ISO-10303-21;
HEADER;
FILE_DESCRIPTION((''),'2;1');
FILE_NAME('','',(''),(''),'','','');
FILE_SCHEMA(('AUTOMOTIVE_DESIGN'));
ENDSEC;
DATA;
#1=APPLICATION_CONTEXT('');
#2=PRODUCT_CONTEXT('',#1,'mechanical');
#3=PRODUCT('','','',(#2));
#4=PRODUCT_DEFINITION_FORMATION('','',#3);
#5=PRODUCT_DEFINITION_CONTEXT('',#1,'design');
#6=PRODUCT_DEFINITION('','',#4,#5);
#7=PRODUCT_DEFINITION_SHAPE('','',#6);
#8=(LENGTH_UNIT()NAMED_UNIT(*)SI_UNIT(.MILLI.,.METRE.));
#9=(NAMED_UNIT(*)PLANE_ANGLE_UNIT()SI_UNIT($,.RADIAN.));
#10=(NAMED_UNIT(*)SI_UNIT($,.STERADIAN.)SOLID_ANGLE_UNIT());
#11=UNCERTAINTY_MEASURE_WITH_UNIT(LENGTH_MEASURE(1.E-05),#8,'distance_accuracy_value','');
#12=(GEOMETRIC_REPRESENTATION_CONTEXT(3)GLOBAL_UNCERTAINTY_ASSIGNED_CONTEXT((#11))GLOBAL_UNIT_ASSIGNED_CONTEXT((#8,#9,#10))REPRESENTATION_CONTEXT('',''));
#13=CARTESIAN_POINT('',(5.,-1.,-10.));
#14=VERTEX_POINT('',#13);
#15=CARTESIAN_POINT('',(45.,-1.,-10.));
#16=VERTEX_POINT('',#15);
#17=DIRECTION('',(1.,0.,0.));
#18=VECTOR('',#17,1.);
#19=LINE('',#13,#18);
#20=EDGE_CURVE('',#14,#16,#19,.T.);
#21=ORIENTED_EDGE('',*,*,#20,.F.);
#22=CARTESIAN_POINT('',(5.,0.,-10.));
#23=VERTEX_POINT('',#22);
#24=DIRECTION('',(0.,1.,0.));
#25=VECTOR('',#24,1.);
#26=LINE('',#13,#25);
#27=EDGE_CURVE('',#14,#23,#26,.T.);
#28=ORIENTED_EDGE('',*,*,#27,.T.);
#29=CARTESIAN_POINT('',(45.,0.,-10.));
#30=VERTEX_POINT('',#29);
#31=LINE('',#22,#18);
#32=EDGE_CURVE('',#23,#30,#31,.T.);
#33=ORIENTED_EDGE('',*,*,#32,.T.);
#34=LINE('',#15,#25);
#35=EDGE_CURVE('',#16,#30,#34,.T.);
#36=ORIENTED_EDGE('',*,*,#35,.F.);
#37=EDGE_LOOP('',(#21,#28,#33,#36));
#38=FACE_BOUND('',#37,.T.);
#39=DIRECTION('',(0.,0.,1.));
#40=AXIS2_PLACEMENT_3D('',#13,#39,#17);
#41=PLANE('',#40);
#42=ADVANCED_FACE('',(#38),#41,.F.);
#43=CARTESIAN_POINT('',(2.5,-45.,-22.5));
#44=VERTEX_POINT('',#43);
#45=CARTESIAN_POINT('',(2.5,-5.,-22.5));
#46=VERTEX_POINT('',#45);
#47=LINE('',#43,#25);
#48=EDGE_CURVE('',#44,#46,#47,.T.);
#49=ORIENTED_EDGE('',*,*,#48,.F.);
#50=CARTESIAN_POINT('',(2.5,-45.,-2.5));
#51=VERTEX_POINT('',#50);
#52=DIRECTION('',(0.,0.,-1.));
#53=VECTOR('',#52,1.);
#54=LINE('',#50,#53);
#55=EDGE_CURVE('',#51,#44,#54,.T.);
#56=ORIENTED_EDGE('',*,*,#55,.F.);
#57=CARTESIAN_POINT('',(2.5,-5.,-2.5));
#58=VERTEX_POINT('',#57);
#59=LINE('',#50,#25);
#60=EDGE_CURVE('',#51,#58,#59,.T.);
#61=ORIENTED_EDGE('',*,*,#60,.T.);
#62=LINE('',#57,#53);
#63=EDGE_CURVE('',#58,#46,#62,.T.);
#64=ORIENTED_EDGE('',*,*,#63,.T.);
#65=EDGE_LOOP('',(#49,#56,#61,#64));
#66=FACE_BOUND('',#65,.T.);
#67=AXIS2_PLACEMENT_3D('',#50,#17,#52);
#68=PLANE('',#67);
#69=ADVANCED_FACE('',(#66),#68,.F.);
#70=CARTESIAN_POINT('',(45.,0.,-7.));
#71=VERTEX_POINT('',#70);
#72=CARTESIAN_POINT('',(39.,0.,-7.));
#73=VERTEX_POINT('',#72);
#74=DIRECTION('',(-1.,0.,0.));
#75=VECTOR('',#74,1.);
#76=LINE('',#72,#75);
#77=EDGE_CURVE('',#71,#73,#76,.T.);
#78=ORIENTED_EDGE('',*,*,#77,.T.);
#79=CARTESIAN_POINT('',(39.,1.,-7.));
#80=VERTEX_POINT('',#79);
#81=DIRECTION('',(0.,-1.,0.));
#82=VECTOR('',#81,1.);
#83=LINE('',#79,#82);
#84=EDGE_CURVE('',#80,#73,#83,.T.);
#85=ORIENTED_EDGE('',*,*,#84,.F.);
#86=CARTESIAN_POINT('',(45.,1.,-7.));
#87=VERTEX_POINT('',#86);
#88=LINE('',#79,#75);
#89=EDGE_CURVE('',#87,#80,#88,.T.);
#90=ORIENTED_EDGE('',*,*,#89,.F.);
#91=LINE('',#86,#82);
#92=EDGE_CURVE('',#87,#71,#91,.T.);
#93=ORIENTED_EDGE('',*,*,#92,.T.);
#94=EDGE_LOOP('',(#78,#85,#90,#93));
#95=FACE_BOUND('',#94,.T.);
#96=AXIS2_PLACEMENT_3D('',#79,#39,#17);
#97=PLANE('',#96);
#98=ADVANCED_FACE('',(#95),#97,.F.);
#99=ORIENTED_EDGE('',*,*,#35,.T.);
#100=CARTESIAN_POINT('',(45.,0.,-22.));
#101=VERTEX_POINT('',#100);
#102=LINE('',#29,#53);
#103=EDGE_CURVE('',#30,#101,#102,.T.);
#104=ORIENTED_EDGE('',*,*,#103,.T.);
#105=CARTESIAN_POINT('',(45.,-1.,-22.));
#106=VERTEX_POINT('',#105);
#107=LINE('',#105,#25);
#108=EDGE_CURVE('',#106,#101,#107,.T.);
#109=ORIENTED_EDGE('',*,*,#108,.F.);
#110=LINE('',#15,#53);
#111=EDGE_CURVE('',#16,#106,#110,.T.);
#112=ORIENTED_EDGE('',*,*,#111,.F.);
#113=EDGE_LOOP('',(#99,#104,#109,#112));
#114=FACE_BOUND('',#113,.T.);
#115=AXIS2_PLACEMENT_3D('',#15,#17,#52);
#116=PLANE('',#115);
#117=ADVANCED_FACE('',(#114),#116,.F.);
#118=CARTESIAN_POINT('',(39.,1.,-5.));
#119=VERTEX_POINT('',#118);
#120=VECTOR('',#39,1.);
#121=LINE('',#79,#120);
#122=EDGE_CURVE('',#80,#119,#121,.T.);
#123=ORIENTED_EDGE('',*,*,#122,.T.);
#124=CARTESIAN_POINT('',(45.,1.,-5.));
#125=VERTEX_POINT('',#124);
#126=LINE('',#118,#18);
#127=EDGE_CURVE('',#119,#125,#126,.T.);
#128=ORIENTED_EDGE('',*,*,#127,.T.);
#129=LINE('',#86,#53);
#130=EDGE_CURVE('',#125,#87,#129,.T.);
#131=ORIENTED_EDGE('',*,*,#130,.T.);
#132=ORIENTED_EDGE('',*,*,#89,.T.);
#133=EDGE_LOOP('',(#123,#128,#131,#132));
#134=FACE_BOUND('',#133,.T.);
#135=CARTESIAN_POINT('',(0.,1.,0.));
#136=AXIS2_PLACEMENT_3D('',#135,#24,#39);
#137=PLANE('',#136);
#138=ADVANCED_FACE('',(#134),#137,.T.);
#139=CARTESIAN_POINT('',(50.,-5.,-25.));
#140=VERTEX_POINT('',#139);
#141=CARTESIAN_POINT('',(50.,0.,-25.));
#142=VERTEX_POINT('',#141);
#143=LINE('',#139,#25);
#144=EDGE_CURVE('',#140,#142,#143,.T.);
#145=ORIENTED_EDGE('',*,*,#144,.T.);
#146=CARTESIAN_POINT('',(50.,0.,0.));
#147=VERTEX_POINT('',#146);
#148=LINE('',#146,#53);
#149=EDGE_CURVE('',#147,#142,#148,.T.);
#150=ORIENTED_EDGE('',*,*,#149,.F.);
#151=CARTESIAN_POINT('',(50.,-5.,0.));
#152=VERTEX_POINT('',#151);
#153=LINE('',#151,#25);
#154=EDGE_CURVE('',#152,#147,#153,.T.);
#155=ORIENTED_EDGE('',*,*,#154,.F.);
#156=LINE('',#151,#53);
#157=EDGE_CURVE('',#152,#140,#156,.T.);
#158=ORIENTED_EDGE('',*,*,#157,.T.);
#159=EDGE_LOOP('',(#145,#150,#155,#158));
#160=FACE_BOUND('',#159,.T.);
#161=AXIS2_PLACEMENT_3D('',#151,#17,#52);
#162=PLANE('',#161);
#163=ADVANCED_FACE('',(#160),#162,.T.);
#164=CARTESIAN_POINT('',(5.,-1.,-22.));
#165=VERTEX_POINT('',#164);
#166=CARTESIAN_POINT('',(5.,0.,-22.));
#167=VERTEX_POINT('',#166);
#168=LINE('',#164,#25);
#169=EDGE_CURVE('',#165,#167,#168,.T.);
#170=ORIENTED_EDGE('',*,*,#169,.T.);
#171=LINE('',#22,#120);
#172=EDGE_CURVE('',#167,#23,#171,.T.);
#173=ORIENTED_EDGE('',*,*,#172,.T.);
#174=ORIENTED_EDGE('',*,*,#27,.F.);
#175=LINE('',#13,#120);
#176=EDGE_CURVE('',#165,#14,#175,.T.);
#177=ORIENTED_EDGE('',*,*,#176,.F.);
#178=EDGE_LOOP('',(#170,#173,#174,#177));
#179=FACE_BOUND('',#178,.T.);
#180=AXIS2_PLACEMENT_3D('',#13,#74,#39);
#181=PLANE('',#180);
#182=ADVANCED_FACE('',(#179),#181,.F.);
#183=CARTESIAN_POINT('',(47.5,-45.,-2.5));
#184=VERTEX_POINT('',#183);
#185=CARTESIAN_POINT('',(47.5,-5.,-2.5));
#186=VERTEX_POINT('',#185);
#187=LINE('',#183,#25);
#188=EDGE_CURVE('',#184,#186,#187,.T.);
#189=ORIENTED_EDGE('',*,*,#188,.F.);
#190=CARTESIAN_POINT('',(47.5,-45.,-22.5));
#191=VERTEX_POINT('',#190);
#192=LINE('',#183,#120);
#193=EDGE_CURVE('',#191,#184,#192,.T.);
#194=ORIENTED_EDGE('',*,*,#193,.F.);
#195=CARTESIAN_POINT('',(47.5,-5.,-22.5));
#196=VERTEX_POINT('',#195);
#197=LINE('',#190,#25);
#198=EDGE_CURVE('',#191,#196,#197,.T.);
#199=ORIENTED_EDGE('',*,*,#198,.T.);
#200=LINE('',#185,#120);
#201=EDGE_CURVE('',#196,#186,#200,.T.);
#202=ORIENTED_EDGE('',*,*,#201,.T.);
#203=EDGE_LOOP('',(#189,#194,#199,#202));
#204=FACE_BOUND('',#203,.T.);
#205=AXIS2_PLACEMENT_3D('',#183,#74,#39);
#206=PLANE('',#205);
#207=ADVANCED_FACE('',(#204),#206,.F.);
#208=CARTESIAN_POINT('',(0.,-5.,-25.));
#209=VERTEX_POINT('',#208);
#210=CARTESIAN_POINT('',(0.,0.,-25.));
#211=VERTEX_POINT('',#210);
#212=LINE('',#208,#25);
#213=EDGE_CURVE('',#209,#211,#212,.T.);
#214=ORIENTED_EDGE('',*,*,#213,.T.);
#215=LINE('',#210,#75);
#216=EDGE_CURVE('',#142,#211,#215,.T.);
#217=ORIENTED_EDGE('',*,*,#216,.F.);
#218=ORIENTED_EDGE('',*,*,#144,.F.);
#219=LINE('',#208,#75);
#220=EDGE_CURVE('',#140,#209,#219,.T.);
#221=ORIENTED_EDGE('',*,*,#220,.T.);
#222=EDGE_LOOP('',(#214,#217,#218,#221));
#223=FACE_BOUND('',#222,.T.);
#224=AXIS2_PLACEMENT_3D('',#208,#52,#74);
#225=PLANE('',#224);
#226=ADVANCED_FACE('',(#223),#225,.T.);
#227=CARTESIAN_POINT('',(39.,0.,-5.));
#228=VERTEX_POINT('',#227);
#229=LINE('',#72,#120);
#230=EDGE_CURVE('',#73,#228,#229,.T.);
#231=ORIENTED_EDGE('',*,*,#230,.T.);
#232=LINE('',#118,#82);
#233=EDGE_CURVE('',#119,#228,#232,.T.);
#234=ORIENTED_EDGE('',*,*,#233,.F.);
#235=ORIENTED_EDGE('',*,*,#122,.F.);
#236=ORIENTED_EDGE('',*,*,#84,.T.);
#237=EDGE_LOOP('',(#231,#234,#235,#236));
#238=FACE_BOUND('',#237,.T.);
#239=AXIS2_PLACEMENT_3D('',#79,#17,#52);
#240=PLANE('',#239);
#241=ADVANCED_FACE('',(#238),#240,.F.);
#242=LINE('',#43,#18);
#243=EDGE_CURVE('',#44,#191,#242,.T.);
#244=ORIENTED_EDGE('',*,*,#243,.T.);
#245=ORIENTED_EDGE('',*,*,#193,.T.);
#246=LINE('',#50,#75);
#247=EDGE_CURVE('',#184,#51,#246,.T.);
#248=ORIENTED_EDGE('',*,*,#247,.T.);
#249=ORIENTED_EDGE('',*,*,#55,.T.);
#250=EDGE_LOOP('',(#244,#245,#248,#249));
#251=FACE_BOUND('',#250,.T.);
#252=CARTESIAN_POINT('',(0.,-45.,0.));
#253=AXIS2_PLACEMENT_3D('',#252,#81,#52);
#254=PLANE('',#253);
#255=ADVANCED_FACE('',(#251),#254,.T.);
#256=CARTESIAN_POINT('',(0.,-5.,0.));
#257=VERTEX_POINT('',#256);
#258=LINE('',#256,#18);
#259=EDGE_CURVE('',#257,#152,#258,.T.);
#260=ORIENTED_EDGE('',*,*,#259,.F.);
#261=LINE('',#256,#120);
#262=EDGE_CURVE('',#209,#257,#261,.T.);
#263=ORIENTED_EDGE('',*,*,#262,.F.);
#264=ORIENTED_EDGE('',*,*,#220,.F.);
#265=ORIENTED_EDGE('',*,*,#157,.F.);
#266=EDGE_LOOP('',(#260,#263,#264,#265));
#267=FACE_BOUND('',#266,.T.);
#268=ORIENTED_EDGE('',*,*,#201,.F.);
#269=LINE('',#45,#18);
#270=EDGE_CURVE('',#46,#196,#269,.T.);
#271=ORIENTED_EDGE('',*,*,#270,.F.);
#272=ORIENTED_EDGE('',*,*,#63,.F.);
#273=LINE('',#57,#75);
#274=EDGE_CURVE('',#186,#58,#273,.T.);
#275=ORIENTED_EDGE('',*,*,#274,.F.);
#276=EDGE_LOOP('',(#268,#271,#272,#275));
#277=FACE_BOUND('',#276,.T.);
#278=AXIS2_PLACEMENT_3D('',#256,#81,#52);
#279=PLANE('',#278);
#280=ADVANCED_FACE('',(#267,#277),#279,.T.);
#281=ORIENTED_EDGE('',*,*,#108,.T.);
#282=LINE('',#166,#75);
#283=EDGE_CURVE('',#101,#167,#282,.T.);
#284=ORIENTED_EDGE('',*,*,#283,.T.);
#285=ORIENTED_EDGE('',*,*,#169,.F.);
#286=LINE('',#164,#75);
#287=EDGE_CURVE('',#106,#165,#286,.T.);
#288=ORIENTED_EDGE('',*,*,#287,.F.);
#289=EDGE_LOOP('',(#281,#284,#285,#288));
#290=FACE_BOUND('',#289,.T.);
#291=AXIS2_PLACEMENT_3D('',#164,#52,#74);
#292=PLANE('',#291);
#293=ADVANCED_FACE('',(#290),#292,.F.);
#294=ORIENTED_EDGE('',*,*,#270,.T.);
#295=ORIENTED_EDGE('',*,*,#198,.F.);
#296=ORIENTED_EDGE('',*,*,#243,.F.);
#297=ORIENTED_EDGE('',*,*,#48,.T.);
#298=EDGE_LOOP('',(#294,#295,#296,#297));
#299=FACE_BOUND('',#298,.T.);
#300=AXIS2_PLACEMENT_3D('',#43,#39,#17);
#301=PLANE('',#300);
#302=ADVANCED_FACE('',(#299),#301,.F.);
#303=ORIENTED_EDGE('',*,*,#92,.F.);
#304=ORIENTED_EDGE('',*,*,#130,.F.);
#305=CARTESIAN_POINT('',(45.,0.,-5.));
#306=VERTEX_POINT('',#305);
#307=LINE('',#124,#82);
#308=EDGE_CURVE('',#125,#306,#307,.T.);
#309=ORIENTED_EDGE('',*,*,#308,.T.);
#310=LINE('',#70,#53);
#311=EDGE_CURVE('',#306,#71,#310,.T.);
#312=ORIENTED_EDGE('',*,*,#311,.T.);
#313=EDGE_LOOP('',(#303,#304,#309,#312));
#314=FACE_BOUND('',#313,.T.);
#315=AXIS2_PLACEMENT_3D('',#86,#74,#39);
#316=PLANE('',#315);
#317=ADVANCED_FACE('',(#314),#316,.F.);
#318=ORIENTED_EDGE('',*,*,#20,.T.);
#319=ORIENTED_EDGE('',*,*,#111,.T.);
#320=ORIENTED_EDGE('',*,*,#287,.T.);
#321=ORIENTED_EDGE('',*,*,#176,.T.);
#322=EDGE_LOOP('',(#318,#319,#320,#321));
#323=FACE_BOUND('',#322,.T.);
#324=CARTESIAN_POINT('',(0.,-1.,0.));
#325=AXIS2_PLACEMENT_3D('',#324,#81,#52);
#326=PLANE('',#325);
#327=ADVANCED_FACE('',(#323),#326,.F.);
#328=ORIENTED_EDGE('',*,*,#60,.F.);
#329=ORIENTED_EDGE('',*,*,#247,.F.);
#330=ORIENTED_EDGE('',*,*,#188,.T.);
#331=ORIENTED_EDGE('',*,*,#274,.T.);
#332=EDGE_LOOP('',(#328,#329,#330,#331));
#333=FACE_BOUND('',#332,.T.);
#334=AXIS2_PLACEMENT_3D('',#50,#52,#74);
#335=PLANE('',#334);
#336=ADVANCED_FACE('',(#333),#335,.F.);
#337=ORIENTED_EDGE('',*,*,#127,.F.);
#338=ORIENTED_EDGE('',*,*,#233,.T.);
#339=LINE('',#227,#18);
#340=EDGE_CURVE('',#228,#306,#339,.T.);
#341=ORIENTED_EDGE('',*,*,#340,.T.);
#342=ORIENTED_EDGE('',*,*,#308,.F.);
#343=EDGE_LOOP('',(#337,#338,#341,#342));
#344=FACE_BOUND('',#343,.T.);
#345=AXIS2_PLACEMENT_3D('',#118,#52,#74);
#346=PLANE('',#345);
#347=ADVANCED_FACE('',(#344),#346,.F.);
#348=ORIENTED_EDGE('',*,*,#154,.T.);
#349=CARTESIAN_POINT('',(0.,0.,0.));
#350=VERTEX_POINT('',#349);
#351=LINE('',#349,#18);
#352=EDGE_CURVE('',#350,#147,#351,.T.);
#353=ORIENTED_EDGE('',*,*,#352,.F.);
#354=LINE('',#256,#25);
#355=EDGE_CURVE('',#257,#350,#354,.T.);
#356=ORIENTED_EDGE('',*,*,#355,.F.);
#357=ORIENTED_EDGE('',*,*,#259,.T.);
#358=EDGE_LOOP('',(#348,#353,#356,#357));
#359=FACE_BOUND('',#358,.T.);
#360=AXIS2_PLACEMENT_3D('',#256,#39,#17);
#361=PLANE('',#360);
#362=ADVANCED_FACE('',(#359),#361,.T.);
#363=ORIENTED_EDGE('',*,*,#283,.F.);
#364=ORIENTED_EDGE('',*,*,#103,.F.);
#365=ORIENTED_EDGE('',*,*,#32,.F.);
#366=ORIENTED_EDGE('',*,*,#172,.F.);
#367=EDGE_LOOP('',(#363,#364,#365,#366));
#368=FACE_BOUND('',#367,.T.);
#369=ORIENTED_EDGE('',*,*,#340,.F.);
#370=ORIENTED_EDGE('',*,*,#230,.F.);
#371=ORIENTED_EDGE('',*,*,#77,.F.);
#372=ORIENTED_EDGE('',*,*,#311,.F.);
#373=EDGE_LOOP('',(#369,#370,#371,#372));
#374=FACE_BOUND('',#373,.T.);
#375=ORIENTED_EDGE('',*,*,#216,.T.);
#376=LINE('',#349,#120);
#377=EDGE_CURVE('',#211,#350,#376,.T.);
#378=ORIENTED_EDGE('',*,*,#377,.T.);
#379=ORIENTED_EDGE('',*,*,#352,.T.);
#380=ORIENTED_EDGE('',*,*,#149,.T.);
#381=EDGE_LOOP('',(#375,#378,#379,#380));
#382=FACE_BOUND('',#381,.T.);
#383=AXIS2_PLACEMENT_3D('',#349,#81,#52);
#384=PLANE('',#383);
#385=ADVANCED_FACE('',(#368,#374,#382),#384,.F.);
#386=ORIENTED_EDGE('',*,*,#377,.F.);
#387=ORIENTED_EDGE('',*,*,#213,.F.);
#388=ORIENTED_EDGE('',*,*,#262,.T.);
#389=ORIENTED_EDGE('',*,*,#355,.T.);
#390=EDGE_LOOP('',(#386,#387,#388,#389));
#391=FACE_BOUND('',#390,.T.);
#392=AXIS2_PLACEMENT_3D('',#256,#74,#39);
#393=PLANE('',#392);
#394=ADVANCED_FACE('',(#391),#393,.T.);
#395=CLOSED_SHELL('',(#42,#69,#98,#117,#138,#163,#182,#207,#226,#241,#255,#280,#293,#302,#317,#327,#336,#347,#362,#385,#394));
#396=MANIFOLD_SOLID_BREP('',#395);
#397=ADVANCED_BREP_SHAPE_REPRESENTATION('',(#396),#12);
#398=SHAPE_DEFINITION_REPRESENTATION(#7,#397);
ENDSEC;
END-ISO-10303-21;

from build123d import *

# Parameters (mm, degrees)
SKETCH1_W           = 50
SKETCH1_H           = 25
BOSS_EXTRUDE1_DEPTH = 5
SKETCH2_W           = 45
SKETCH2_H           = 20
BOSS_EXTRUDE2_DEPTH = 40
SKETCH3_W           = 40
SKETCH3_H           = 12
CUT_EXTRUDE1_DEPTH  = 1
SKETCH4_W           = 6
SKETCH4_H           = 2
BOSS_EXTRUDE3_DEPTH = 1


with BuildPart() as part:
    # Sketch1 → Boss-Extrude1 (new body)
    with BuildSketch(Plane(origin=(0, 0, 0), x_dir=(1, 0, 0), z_dir=(0, 1, 0))):
        with Locations((25, 12.5)):
            Rectangle(SKETCH1_W, SKETCH1_H)
    extrude(amount=-BOSS_EXTRUDE1_DEPTH)

    # Sketch2 → Boss-Extrude2 (add)
    with BuildSketch(Plane.XZ.offset(5)):
        with Locations((25, -12.5)):
            Rectangle(SKETCH2_W, SKETCH2_H)
    extrude(amount=BOSS_EXTRUDE2_DEPTH)

    # Sketch3 → Cut-Extrude1 (cut)
    with BuildSketch(Plane(origin=(0, 0, 0), x_dir=(1, 0, 0), z_dir=(0, 1, 0))):
        with Locations((25, 16)):
            Rectangle(SKETCH3_W, SKETCH3_H)
    extrude(amount=-CUT_EXTRUDE1_DEPTH, mode=Mode.SUBTRACT)

    # Sketch4 → Boss-Extrude3 (add)
    with BuildSketch(Plane(origin=(0, 0, 0), x_dir=(1, 0, 0), z_dir=(0, 1, 0))):
        with Locations((42, 6)):
            Rectangle(SKETCH4_W, SKETCH4_H)
    extrude(amount=BOSS_EXTRUDE3_DEPTH)


solid = part.part
